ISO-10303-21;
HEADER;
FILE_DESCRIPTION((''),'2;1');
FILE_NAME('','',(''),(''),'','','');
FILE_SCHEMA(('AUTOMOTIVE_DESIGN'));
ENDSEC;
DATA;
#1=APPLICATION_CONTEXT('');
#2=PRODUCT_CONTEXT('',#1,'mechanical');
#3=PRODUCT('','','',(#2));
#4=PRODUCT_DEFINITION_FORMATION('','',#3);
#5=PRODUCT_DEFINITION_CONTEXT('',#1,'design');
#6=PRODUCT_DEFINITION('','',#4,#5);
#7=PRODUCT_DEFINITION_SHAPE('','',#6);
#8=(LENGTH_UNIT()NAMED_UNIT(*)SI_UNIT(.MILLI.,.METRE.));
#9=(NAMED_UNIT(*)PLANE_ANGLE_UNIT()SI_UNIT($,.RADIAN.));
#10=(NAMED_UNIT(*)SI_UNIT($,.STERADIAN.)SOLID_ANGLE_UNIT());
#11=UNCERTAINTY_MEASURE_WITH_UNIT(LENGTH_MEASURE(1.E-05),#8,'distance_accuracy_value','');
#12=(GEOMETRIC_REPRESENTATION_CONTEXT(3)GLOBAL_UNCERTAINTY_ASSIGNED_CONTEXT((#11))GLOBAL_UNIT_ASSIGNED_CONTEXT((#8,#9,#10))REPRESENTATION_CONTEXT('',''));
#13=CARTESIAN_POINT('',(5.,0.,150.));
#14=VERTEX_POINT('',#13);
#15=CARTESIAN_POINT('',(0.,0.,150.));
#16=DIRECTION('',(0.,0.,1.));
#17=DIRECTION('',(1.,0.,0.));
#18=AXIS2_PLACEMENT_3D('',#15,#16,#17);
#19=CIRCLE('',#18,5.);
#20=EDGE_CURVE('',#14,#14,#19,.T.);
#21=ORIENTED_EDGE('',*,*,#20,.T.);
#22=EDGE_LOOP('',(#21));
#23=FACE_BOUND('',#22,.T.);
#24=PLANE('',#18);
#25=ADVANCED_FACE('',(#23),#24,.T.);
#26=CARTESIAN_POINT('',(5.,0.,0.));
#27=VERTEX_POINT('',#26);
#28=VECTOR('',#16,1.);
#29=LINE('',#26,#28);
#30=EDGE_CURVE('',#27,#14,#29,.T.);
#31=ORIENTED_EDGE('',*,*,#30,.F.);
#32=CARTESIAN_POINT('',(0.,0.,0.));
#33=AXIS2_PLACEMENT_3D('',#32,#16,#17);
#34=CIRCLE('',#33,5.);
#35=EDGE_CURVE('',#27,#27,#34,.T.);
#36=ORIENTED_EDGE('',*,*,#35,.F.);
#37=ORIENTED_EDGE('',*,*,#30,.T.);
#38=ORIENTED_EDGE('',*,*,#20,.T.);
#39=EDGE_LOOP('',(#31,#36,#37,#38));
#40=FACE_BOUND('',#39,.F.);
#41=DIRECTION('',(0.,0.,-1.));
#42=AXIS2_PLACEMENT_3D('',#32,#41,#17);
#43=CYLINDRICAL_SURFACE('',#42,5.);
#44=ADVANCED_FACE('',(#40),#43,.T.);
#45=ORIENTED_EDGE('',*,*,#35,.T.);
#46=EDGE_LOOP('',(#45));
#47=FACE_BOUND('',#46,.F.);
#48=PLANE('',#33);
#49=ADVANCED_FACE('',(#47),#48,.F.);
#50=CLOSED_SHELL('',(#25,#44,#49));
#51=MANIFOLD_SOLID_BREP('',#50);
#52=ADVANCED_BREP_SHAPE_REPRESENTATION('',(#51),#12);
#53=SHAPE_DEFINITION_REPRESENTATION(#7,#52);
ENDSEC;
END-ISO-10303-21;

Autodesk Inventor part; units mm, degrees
ref_plane "YZ Plane" through (0, 0, 0) normal (1, 0, 0) x (0, 1, 0)
ref_plane "XZ Plane" through (0, 0, 0) normal (0, 1, 0) x (-1, 0, 0)
ref_plane "XY Plane" through (0, 0, 0) normal (0, 0, 1) x (1, 0, 0)
sketch "Sketch1" plane through (0, 0, 0) normal (0, 0, 1) x (1, 0, 0)
  circle A0 centre (0, 0) radius 5
  dimension "d0" = 10
extrude "Extrusion1" add sketch "Sketch1" along normal blind 150
properties part number "pin" material "Stainless Steel"
